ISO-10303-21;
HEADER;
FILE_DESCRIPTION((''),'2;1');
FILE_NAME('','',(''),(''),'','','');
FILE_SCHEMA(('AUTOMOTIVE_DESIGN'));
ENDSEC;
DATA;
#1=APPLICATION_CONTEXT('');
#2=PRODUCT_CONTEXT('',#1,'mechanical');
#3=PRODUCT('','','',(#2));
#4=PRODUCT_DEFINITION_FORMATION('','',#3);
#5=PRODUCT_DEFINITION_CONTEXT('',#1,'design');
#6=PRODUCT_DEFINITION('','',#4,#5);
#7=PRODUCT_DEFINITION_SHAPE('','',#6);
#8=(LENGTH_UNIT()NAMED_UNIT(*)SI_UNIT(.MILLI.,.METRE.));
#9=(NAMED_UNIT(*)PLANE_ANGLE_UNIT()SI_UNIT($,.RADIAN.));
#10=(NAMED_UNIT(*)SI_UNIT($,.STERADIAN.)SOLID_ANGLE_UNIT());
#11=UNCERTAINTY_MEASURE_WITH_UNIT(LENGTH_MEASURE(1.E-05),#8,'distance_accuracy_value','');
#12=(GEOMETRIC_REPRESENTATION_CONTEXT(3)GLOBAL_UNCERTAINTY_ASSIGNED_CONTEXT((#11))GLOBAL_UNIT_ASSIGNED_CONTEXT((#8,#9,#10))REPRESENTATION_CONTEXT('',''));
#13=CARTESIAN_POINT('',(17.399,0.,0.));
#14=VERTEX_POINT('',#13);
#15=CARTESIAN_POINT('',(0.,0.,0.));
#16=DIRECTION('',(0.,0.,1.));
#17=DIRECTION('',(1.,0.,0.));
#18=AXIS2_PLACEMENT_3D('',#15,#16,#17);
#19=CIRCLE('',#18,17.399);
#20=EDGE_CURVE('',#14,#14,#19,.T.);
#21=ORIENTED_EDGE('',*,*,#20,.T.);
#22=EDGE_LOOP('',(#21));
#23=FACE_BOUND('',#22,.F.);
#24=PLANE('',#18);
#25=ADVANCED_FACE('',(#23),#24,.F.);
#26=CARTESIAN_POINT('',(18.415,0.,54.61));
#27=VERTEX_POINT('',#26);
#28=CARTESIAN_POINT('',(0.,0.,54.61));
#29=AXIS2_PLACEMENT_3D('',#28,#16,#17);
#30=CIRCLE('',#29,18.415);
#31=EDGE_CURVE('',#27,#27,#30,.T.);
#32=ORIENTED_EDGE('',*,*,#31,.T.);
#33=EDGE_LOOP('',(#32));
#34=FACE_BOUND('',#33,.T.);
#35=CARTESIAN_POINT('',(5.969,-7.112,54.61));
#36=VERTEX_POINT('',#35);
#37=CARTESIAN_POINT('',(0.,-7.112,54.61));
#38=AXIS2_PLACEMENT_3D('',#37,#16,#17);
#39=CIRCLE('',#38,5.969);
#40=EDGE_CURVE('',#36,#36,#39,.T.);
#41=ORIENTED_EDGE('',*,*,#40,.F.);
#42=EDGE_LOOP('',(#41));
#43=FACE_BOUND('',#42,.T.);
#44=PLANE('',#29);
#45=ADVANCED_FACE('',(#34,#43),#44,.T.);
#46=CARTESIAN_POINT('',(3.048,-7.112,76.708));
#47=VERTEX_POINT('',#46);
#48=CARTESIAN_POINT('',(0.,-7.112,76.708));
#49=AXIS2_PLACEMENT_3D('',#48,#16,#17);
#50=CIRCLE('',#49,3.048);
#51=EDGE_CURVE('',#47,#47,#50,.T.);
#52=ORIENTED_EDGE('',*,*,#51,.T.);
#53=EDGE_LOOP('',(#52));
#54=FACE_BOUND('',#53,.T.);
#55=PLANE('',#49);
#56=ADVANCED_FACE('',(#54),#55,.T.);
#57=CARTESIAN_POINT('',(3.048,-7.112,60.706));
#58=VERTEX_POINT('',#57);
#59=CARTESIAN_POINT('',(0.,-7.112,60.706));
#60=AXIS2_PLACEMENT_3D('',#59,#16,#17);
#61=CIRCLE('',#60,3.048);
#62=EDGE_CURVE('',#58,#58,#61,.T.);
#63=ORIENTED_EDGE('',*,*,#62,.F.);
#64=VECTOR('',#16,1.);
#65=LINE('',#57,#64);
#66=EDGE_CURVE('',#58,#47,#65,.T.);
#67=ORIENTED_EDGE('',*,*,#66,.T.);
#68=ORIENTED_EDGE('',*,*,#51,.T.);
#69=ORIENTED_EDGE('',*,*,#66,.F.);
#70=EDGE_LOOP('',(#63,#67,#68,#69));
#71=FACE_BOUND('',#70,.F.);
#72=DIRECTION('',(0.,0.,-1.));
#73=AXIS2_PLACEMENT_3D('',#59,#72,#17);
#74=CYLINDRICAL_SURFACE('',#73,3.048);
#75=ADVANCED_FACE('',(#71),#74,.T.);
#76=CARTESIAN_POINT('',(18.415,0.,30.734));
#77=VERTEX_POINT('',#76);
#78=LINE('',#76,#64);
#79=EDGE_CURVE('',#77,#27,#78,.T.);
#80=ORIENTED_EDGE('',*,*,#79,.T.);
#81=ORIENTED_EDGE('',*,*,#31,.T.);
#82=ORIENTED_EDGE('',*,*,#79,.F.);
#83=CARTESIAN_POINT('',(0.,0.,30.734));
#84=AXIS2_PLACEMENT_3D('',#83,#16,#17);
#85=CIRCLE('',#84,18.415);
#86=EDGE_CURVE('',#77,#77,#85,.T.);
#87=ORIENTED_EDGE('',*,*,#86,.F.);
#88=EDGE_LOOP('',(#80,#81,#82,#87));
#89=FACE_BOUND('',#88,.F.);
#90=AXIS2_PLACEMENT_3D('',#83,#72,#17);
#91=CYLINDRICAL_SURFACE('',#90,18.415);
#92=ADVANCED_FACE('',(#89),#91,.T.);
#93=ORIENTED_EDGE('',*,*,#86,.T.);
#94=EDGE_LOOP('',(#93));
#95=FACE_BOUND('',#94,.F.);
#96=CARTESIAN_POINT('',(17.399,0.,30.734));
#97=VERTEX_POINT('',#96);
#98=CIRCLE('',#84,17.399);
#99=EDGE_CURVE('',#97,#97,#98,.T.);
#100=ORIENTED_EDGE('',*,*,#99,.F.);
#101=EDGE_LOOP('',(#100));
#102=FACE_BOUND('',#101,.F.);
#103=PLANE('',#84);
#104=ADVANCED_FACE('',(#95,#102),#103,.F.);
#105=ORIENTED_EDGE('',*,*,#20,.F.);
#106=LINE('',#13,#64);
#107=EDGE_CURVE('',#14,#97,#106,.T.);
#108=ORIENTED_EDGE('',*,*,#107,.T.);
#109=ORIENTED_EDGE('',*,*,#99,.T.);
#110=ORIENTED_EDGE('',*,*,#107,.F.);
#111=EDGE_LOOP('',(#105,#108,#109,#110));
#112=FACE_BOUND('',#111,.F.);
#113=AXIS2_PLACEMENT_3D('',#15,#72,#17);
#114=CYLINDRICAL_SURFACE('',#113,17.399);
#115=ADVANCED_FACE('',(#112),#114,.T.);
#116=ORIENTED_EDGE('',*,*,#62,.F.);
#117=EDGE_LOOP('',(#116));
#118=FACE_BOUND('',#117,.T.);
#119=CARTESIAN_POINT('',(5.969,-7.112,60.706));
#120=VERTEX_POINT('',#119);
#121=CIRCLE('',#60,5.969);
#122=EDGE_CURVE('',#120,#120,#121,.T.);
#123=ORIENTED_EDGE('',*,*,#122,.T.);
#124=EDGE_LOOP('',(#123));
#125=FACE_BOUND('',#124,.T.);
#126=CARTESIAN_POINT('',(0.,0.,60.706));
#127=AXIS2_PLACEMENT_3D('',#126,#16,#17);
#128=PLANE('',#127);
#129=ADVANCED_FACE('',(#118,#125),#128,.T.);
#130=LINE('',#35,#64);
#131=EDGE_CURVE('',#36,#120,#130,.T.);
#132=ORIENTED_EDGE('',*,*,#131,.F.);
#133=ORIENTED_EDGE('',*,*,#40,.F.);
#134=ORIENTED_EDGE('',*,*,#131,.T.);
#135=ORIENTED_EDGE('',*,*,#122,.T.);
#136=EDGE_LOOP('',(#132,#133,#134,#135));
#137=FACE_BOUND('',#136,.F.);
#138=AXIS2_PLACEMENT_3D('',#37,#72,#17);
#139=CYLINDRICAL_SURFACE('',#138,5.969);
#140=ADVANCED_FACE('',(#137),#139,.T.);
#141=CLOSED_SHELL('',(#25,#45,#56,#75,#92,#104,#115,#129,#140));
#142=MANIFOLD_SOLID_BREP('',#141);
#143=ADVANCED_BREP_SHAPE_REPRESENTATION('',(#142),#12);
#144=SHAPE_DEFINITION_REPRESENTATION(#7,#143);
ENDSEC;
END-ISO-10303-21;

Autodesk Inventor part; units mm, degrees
ref_plane "YZ Plane" through (0, 0, 0) normal (1, 0, 0) x (0, 1, 0)
ref_plane "XZ Plane" through (0, 0, 0) normal (0, 1, 0) x (-1, 0, 0)
ref_plane "XY Plane" through (0, 0, 0) normal (0, 0, 1) x (1, 0, 0)
sketch "Sketch1" plane through (0, 0, 0) normal (0, 0, 1) x (1, 0, 0)
  circle A0 centre (0, 0) radius 17.399
  dimension "d0" = 34.798
extrude "Extrusion1" add sketch "Sketch1" along normal blind 30.734
sketch "Sketch2" plane through (0, 0, 30.734) normal (0, 0, 1) x (1, 0, 0)
  circle A0 centre (0, 0) radius 18.415
  dimension "d3" = 36.83
extrude "Extrusion2" add sketch "Sketch2" along normal blind 23.876
sketch "Sketch3" plane through (0, 0, 54.61) normal (0, 0, 1) x (1, 0, 0)
  line L0 (0, 0) -> (0, -7.112) construction
  circle A0 centre (0, -7.112) radius 5.969
  dimension "d6" = 7.112
  dimension "d7" = 11.938
extrude "Extrusion3" add sketch "Sketch3" along normal blind 6.096
sketch "Sketch4" plane through (0, -7.112, 60.706) normal (0, 0, 1) x (1, 0, 0)
  circle A0 centre (0, 0) radius 3.048
  point P0 (0, 7.112)
  dimension "d10" = 6.096
extrude "Extrusion4" add sketch "Sketch4" along normal blind 16.002
properties part number "Drivetrain_Motor"
